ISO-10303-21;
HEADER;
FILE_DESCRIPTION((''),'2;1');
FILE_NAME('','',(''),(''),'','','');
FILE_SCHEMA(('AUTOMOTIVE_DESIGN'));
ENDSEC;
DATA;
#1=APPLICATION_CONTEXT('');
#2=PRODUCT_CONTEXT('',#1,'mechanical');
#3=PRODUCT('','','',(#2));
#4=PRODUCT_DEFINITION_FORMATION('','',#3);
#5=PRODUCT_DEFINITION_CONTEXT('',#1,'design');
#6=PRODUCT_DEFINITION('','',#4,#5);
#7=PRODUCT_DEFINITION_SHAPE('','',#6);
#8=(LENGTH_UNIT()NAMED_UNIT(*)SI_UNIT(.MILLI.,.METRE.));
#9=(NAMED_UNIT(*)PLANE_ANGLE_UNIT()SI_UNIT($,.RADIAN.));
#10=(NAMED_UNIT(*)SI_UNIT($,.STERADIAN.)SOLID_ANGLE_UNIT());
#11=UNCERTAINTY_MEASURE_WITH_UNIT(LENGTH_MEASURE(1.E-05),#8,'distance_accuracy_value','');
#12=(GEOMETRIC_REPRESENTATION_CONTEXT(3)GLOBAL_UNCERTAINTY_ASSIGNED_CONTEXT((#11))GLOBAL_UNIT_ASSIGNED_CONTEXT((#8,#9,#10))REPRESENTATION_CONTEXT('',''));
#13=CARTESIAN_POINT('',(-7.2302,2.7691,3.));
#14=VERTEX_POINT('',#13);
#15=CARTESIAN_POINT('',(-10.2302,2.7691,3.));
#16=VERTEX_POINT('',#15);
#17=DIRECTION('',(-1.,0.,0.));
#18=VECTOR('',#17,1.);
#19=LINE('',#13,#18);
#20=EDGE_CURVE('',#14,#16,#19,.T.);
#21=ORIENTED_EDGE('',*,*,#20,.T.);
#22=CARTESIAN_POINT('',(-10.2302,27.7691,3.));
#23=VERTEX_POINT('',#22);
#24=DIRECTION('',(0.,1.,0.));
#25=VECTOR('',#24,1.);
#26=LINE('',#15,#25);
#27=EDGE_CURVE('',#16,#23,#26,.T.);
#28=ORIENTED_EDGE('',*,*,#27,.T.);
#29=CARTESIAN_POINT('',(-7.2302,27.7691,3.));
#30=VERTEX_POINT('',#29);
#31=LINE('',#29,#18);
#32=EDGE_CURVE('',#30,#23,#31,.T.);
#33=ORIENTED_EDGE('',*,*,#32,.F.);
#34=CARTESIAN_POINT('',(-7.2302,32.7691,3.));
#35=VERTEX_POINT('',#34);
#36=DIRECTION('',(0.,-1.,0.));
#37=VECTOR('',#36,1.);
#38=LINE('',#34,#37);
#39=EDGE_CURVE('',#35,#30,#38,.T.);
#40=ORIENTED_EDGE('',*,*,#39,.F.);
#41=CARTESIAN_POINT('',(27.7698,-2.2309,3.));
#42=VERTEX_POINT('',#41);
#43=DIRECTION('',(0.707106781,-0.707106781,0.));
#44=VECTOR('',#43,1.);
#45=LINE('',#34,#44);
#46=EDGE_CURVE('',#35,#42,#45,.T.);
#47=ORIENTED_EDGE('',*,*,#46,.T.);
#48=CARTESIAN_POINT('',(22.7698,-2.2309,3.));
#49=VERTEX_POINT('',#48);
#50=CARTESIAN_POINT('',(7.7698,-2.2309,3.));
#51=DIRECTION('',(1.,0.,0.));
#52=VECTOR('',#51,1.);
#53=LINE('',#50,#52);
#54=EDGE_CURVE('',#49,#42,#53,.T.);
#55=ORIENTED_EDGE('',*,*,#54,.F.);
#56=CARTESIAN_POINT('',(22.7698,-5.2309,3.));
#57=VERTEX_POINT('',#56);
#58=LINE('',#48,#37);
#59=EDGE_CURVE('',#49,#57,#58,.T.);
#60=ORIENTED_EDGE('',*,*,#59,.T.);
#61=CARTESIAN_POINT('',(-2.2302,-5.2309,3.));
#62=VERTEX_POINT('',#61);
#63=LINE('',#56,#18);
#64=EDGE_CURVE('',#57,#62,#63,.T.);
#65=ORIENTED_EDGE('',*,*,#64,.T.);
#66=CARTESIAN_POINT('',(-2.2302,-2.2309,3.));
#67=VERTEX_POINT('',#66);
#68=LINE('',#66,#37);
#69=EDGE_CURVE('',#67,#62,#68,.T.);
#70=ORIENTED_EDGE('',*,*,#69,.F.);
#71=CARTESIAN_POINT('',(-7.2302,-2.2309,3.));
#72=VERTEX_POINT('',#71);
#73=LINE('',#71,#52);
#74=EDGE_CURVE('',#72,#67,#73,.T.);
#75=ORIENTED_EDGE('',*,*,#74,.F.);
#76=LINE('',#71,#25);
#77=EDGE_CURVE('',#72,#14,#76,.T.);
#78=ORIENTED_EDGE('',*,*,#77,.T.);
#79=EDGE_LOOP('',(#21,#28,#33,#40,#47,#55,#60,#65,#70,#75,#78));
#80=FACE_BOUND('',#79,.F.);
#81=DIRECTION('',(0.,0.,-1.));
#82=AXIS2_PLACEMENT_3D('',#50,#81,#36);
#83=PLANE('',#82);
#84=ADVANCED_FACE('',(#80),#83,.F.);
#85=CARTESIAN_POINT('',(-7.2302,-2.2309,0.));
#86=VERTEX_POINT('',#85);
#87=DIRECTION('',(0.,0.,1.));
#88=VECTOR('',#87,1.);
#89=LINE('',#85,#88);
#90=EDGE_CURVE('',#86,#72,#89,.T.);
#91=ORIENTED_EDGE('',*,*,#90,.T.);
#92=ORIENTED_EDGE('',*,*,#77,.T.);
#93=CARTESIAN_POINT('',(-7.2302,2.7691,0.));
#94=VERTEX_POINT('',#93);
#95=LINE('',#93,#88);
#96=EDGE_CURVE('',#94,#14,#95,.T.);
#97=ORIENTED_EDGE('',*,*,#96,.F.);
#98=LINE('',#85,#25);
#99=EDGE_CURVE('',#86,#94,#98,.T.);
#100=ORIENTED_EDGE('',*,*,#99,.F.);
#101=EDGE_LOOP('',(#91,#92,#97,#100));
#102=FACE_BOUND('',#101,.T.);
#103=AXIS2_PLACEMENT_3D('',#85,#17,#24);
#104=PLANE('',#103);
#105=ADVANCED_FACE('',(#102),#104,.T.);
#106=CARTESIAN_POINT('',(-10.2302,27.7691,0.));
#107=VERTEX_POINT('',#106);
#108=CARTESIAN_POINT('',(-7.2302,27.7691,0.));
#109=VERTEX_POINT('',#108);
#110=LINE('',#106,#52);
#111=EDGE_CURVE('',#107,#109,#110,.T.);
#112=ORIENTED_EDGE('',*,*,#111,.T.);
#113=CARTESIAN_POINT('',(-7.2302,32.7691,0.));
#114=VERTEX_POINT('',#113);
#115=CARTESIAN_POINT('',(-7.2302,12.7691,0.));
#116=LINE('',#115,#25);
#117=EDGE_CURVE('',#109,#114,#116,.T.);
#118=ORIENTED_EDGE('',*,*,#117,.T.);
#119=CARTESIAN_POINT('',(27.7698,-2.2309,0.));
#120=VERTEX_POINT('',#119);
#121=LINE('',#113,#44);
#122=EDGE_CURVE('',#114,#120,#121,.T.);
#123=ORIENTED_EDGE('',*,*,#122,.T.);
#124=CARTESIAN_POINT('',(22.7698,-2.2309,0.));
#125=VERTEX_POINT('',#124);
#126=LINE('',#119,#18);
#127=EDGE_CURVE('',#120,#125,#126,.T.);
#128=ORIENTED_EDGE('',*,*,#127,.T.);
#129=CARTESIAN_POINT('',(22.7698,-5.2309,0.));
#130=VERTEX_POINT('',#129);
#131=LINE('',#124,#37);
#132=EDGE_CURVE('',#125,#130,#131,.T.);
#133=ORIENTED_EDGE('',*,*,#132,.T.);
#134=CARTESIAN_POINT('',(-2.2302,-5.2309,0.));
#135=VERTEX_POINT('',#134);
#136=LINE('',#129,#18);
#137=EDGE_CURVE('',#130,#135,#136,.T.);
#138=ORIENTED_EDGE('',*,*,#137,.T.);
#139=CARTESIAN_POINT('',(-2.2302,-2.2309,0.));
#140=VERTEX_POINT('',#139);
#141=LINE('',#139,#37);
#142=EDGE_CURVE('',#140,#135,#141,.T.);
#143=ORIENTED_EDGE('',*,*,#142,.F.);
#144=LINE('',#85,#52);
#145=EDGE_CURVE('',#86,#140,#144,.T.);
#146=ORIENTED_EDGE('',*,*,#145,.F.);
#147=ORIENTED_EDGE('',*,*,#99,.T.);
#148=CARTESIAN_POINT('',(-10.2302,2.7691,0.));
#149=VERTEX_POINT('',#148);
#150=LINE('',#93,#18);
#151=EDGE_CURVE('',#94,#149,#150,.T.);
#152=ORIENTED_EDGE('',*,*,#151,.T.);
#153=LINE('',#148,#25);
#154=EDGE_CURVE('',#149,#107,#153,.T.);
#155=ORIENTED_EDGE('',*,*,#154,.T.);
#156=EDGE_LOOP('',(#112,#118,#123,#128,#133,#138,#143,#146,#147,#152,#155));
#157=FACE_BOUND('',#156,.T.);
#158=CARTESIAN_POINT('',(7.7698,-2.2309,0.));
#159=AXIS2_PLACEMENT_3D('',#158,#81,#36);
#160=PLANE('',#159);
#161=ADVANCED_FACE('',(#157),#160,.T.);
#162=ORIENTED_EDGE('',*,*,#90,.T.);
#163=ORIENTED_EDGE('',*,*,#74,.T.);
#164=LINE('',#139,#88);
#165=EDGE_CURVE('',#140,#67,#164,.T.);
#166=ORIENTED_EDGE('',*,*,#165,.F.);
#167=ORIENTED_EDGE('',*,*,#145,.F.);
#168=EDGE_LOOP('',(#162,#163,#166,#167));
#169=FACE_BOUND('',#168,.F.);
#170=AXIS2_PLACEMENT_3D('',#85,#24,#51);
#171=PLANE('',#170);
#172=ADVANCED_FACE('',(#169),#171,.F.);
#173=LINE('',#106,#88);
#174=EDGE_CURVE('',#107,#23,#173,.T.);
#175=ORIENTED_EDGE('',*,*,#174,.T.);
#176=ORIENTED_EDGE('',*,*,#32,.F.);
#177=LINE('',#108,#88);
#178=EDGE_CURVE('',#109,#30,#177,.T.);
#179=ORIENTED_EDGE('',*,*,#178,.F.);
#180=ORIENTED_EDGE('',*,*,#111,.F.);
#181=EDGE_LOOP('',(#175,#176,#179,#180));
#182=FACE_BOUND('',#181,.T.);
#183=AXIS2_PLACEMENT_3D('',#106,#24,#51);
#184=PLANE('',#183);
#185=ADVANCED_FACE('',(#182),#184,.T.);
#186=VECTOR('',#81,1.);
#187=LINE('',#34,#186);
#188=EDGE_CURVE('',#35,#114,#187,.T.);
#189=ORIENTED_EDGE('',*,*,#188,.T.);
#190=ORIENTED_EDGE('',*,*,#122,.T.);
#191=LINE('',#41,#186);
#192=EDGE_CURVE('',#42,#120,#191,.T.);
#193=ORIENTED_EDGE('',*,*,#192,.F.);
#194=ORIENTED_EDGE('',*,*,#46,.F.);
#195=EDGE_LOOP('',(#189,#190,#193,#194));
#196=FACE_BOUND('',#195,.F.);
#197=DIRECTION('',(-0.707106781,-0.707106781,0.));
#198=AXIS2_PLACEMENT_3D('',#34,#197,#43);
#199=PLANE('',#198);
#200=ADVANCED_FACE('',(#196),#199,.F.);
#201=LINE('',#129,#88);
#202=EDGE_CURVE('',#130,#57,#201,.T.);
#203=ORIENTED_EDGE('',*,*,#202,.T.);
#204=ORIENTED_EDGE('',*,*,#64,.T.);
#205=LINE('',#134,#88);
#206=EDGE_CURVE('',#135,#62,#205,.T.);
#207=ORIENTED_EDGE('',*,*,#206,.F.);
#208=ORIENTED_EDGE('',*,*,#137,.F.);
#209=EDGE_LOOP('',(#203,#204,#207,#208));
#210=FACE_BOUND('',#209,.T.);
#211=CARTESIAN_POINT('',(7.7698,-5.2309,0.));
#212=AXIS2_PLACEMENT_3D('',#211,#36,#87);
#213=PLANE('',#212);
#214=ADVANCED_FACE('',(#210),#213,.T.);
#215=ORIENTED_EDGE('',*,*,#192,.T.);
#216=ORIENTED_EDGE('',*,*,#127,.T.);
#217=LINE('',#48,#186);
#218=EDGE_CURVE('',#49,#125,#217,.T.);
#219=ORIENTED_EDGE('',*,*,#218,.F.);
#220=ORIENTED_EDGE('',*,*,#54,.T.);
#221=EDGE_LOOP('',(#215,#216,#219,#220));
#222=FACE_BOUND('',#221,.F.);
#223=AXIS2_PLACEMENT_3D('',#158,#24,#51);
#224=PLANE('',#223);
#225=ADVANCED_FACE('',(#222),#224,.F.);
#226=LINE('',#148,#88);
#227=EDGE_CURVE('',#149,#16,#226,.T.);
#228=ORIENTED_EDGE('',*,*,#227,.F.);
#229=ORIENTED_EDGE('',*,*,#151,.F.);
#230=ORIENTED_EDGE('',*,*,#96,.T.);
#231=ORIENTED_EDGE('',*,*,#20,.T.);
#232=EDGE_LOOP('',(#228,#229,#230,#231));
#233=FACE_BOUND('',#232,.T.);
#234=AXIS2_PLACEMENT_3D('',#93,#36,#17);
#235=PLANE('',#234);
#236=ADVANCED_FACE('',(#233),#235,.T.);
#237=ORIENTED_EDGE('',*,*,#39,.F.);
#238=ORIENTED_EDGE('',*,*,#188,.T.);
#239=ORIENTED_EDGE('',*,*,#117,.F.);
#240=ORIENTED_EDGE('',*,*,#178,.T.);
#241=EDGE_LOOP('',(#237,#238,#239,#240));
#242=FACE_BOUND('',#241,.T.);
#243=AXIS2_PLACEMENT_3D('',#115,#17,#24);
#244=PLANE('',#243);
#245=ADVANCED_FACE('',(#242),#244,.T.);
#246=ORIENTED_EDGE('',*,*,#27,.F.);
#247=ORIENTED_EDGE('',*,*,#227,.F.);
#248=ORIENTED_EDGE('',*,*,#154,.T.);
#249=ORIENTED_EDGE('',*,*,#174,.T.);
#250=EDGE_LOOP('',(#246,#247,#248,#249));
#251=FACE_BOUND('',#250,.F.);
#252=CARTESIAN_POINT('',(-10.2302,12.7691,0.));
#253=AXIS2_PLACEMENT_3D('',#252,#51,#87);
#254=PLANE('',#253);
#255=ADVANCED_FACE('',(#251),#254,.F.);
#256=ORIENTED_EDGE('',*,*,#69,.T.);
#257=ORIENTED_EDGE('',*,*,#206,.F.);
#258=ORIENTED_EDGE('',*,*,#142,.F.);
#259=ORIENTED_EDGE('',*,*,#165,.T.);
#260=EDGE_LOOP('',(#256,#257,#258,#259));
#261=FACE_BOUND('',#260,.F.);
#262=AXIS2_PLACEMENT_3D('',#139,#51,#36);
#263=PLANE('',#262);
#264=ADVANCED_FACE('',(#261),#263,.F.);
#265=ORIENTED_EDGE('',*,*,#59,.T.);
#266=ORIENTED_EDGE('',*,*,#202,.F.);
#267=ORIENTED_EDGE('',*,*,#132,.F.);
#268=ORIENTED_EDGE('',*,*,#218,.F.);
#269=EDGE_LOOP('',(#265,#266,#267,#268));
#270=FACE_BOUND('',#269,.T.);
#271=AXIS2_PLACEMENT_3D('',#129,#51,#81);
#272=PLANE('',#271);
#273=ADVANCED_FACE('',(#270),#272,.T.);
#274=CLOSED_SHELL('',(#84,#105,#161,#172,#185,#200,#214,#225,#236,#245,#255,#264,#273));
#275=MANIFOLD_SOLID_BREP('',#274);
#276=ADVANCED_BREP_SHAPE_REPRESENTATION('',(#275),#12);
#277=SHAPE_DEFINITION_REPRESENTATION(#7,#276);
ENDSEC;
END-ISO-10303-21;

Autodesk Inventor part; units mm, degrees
ref_plane "YZ Plane" through (0, 0, 0) normal (1, 0, 0) x (0, 1, 0)
ref_plane "XZ Plane" through (0, 0, 0) normal (0, 1, 0) x (-1, 0, 0)
ref_plane "XY Plane" through (0, 0, 0) normal (0, 0, 1) x (1, 0, 0)
sketch "Sketch1" plane through (0, 0, 0) normal (0, 0, 1) x (1, 0, 0)
  line L0 (-7.2302, -2.2309) -> (-2.2302, -2.2309)
  line L1 (-2.2302, -2.2309) -> (-2.2302, -5.2309)
  line L2 (-2.2302, -5.2309) -> (7.7698, -5.2309)
  line L3 (7.7698, -5.2309) -> (7.7698, -2.2309)
  line L4 (7.7698, -2.2309) -> (12.7698, -2.2309)
  line L5 (-7.2302, -2.2309) -> (-7.2302, 2.7691)
  line L6 (-7.2302, 2.7691) -> (-10.2302, 2.7691)
  line L7 (-10.2302, 2.7691) -> (-10.2302, 12.7691)
  line L8 (-10.2302, 12.7691) -> (-7.2302, 12.7691)
  line L9 (-7.2302, 12.7691) -> (-7.2302, 17.7691)
  line L10 (-7.2302, 17.7691) -> (12.7698, -2.2309)
  point P0 (0, 0)
  dimension "d2" = 5
  dimension "d3" = 5
  dimension "d4" = 10
  dimension "d5" = 5
  dimension "d6" = 10
  dimension "d7" = 5
extrude "Extrusion1" add sketch "Sketch1" along normal blind 3
sketch "Sketch2" plane through (0, 0, 3) normal (0, 0, 1) x (1, 0, 0)
  line L0 (-7.2302, 17.7691) -> (-7.2302, 12.7691) projected
  line L1 (-7.2302, 17.7691) -> (-7.2302, 32.7691)
  line L2 (12.7698, -2.2309) -> (-7.2302, 17.7691) projected
  line L3 (12.7698, -2.2309) -> (27.7698, -2.2309)
  line L4 (-7.2302, 32.7691) -> (27.7698, -2.2309)
  line L5 (-7.2302, 17.7691) -> (12.7698, -2.2309)
  point P0 (0, 0)
  dimension "d14" = 15
  dimension "d15" = 15
extrude "Extrusion2" add sketch "Sketch2" against normal blind 3
sketch "Sketch3" plane through (-10.2302, 12.7691, 0) normal (0, 1, 0) x (1, 0, 0)
  line L0 (0, 0) -> (0, -3) projected
  line L1 (3, 0) -> (3, -3) projected
  line L2 (0, 0) -> (3, 0)
  line L3 (3, 0) -> (3, -3)
  line L4 (3, -3) -> (0, -3)
  line L5 (0, -3) -> (0, 0)
  point P0 (10.2302, 0)
extrude "Extrusion3" add sketch "Sketch3" along normal blind 15
sketch "Sketch4" plane through (7.7698, -5.2309, 0) normal (1, 0, 0) x (0, 0, -1)
  line L0 (-3, 3) -> (-3, 0) projected
  line L1 (-3, 3) -> (0, 3)
  line L2 (0, 3) -> (0, 0)
  line L3 (0, 0) -> (-3, 0)
  line L4 (-3, 0) -> (-3, 3)
  point P0 (0, 5.2309)
extrude "Extrusion4" add sketch "Sketch4" along normal blind 15
properties part number "Support Piece"
